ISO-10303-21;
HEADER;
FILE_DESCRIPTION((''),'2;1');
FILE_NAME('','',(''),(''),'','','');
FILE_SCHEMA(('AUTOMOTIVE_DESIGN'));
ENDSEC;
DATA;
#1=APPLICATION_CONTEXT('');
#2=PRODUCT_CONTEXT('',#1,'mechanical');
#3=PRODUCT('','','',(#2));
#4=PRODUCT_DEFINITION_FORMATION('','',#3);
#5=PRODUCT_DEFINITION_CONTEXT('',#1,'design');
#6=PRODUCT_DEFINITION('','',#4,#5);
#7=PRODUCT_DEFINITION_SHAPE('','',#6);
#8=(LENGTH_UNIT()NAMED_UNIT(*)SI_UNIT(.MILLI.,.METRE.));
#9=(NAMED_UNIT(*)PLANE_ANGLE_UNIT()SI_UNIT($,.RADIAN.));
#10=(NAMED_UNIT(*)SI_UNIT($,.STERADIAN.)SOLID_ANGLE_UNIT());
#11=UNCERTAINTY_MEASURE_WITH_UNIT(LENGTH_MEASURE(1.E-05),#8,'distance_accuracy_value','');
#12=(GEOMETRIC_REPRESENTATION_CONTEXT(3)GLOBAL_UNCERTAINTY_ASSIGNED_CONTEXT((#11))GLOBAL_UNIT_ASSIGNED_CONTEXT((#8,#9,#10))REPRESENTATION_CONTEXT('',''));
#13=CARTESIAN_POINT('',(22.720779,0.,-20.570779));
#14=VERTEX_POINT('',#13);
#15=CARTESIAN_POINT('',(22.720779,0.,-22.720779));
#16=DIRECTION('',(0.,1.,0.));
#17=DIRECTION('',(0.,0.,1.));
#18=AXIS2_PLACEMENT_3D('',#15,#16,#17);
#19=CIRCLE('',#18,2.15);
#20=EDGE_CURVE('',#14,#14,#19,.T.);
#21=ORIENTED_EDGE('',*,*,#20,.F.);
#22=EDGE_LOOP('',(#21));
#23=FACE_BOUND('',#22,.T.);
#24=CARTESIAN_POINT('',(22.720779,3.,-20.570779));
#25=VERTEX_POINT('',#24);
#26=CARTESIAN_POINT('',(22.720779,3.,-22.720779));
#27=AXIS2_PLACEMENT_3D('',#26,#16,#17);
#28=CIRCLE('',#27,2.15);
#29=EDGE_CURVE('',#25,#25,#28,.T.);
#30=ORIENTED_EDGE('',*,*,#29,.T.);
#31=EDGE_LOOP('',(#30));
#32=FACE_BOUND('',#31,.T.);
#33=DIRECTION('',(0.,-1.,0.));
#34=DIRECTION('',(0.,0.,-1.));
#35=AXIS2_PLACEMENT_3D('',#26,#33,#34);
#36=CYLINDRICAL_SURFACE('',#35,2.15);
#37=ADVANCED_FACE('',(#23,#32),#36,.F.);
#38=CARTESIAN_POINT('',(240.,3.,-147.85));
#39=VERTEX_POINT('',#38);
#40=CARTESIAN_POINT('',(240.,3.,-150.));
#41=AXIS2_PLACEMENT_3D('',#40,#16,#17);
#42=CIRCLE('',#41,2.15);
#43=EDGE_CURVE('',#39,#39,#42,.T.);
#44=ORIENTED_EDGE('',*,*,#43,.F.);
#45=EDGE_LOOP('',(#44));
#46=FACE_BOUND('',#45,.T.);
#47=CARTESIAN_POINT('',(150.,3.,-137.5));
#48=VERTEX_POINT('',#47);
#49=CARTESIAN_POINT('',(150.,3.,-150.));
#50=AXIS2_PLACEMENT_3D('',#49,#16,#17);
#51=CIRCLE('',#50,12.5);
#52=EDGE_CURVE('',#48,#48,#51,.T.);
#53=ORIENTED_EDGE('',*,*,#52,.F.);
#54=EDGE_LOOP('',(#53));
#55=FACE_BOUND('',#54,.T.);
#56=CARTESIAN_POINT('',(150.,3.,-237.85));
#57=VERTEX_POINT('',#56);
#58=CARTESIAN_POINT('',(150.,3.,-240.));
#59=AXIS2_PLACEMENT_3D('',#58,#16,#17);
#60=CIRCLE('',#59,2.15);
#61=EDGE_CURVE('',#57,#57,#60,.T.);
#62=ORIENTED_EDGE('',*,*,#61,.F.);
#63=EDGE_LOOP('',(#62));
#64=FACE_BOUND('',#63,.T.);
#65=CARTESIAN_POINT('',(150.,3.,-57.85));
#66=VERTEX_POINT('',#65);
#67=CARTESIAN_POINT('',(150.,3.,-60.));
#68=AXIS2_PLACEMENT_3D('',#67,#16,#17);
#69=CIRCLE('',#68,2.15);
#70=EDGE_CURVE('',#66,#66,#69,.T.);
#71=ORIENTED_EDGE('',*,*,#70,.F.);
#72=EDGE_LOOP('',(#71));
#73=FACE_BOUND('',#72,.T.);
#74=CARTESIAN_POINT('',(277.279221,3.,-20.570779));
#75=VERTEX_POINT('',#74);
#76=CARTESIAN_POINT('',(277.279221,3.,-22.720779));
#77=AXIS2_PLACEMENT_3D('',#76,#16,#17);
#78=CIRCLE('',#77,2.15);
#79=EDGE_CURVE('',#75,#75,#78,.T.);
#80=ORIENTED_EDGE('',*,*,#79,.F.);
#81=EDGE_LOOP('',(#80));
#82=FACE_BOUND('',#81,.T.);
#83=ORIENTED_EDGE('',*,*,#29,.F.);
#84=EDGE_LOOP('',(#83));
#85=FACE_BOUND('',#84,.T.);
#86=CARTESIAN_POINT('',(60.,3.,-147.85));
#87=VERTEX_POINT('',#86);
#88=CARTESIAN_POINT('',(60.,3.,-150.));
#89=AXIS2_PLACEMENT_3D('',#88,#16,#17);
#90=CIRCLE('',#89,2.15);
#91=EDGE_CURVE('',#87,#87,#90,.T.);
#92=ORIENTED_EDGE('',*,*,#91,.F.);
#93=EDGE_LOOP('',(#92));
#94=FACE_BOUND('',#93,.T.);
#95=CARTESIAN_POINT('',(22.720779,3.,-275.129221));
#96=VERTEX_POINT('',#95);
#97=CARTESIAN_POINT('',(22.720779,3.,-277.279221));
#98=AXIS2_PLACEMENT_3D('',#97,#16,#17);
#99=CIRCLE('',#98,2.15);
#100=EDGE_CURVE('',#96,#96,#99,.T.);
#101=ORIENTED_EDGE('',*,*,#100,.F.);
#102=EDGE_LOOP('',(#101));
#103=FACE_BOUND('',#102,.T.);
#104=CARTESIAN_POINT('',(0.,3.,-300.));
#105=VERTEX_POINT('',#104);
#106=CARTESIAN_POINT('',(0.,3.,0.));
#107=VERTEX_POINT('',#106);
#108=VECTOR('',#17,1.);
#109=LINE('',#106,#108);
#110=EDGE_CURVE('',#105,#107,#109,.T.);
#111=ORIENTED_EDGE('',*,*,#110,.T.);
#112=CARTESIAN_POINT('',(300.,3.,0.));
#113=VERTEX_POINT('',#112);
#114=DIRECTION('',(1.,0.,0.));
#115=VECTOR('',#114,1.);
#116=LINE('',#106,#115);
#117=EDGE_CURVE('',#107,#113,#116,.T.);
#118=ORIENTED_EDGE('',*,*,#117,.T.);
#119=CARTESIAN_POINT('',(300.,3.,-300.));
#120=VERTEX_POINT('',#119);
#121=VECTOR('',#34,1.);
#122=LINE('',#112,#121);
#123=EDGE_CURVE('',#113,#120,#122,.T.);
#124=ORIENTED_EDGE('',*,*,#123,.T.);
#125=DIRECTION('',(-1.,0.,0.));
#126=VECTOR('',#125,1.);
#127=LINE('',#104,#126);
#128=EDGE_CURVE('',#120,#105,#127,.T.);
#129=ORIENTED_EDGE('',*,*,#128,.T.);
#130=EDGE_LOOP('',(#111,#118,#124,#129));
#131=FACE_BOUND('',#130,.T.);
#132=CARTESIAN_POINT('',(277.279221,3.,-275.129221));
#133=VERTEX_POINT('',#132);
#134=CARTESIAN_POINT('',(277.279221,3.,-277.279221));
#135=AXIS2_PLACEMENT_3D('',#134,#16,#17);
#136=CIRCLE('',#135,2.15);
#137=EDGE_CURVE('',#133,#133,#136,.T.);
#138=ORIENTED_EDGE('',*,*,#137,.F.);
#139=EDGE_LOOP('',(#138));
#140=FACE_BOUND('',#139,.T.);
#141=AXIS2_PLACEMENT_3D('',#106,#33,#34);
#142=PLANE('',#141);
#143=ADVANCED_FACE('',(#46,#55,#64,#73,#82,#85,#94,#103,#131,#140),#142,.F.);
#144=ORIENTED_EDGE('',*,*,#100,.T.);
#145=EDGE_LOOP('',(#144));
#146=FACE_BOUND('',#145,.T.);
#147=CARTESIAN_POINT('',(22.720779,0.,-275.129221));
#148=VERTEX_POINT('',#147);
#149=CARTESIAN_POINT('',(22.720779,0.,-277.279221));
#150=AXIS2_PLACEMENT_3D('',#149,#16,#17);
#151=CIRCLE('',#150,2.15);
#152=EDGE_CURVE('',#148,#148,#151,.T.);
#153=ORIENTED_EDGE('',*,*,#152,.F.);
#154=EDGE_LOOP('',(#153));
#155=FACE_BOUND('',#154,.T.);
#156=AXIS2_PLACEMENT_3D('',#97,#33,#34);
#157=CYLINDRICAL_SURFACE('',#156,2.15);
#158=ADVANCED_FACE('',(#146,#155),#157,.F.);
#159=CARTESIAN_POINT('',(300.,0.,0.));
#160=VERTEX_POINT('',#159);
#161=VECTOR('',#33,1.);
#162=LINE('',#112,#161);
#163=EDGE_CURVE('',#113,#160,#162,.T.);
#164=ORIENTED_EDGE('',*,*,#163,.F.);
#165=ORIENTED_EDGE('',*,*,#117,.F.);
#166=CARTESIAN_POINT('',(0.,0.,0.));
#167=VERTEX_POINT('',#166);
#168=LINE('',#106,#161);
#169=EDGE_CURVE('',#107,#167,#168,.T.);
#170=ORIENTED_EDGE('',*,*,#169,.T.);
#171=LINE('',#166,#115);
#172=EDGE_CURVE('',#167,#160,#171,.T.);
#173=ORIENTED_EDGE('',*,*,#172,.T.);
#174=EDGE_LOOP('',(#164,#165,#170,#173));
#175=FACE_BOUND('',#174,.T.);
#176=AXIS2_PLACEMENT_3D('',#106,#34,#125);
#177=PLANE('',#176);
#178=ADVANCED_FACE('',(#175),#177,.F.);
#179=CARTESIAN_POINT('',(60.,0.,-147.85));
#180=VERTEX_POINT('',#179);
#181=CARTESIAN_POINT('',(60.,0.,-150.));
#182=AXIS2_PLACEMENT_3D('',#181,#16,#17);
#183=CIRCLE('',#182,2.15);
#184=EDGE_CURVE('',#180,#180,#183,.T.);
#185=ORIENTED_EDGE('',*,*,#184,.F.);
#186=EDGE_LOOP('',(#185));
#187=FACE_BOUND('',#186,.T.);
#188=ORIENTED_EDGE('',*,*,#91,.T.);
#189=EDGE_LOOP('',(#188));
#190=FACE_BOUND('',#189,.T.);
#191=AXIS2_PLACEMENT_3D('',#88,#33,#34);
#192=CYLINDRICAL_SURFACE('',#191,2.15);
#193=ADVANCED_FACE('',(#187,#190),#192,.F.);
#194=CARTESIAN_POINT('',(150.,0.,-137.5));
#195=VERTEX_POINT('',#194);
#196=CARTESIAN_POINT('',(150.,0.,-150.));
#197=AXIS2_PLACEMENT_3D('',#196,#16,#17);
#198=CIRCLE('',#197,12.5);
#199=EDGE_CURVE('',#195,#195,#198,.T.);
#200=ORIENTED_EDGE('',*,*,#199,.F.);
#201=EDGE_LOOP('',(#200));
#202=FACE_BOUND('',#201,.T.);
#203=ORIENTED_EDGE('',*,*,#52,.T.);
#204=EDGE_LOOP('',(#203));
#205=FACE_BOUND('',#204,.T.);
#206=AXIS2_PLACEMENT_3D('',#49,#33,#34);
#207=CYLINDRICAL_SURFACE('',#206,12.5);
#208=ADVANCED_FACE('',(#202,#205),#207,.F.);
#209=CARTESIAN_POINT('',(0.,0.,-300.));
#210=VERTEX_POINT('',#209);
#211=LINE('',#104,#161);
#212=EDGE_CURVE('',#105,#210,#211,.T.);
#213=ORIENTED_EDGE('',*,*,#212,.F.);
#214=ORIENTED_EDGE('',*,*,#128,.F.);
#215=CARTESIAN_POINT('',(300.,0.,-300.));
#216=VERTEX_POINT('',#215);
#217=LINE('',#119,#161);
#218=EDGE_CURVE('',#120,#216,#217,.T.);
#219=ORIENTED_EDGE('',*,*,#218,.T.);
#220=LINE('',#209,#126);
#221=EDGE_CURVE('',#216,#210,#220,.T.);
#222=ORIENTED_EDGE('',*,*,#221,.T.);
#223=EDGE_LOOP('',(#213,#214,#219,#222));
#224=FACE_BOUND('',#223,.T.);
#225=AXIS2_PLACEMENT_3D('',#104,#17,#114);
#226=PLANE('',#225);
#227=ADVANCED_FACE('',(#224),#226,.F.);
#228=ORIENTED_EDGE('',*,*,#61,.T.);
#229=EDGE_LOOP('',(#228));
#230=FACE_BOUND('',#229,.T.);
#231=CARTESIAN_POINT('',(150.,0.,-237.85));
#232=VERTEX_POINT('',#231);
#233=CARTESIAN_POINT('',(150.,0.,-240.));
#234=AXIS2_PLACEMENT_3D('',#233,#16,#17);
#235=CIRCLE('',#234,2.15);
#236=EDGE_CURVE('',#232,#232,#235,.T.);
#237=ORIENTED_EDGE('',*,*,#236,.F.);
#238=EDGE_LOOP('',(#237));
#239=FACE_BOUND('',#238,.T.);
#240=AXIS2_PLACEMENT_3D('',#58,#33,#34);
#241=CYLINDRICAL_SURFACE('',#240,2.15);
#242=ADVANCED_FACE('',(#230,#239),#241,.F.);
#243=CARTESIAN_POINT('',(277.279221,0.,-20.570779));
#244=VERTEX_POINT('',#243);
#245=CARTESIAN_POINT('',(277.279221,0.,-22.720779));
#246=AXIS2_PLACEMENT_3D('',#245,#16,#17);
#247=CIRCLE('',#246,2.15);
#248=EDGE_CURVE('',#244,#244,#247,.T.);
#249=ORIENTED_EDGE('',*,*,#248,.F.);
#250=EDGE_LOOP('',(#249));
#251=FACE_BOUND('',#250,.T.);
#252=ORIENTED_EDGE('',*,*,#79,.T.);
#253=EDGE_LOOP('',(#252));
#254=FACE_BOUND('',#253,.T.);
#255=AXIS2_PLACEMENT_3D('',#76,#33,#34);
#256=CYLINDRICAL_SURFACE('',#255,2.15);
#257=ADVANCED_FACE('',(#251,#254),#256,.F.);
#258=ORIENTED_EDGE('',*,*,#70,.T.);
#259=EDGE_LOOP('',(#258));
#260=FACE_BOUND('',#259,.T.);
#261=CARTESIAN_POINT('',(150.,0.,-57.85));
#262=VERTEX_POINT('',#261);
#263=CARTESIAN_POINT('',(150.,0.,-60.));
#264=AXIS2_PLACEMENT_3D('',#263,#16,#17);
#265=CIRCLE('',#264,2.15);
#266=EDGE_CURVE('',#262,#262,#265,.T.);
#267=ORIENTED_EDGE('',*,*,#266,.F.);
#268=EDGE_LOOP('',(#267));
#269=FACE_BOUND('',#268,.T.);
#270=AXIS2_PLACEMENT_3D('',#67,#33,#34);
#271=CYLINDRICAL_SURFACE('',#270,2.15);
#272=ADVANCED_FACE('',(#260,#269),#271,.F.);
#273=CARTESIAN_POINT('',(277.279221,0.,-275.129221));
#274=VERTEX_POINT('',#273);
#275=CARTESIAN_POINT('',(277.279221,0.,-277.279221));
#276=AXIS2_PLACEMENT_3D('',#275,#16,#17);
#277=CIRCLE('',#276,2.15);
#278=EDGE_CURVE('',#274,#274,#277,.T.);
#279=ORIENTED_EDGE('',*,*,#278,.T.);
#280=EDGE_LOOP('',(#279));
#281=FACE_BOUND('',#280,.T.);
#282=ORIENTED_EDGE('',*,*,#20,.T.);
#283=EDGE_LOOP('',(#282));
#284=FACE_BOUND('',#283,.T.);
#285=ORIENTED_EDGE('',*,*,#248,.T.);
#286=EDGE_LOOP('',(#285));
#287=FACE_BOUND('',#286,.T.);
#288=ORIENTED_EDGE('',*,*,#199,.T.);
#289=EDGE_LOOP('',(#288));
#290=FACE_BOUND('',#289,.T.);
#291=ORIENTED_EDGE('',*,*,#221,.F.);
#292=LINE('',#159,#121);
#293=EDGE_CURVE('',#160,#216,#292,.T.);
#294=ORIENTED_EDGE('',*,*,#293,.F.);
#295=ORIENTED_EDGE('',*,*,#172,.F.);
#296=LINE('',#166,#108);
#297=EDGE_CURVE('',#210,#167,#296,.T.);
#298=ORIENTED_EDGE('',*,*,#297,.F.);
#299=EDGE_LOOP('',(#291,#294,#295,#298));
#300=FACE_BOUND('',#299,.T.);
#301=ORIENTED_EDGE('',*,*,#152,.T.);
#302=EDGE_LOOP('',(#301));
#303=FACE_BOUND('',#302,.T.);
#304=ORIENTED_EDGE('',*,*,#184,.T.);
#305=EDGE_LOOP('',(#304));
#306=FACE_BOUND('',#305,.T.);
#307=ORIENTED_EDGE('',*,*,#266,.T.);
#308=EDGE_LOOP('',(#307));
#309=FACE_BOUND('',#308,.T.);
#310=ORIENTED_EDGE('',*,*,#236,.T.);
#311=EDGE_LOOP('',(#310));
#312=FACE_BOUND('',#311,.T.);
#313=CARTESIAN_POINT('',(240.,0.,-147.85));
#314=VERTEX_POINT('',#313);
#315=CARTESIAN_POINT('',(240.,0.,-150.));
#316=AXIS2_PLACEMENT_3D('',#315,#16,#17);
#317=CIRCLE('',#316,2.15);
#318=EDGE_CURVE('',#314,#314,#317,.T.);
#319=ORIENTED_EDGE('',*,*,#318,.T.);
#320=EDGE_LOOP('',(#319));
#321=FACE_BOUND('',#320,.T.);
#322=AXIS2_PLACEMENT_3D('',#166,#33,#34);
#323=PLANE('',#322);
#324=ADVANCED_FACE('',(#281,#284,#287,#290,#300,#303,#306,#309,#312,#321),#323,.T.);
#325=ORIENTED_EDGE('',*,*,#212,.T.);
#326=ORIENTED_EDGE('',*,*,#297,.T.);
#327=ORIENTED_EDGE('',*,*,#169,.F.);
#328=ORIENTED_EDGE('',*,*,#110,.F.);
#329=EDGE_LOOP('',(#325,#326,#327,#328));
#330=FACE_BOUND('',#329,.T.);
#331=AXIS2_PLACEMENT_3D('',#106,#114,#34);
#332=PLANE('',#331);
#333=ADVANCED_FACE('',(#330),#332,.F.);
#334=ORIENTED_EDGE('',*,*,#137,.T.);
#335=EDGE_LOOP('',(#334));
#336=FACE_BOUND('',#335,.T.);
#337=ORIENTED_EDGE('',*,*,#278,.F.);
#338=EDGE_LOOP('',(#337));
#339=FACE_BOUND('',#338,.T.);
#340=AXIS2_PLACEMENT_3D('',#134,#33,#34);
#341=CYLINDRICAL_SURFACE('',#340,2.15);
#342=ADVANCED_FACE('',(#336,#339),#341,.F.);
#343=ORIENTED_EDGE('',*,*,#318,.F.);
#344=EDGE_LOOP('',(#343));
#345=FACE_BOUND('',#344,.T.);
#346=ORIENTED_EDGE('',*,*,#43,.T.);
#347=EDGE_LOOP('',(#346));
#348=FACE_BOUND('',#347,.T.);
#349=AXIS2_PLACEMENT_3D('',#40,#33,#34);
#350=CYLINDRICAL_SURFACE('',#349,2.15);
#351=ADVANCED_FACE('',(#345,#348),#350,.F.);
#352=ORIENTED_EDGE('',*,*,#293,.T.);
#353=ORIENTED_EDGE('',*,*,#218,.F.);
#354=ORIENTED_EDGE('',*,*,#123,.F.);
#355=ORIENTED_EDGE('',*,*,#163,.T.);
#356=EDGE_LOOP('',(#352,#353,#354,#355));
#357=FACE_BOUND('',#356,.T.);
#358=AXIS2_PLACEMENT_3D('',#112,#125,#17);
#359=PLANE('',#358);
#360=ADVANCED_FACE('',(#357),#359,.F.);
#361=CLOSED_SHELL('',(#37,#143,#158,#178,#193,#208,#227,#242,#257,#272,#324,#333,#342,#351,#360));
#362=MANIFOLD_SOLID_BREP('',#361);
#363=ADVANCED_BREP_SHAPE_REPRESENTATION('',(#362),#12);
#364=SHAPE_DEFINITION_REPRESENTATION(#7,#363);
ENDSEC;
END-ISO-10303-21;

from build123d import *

# Parameters (mm, degrees)
SKETCH_1_W      = 300
SKETCH_1_H      = 300
SKETCH_1_R      = 12.5
SKETCH_1_R_2    = 2.15
EXTRUDE_1_DEPTH = 3


with BuildPart() as part:
    # 草图1 → 凸台-拉伸1 (new body)
    with BuildSketch(Plane(origin=(0, 0, 0), x_dir=(1, 0, 0), z_dir=(0, 1, 0))):
        with Locations((150, 150)):
            Rectangle(SKETCH_1_W, SKETCH_1_H)
        with Locations((150, 150)):
            Circle(SKETCH_1_R, mode=Mode.SUBTRACT)
        with Locations((22.720779386, 277.279220614)):
            Circle(SKETCH_1_R_2, mode=Mode.SUBTRACT)
        with Locations((277.279220614, 277.279220614)):
            Circle(SKETCH_1_R_2, mode=Mode.SUBTRACT)
        with Locations((277.279220614, 22.720779386)):
            Circle(SKETCH_1_R_2, mode=Mode.SUBTRACT)
        with Locations((22.720779386, 22.720779386)):
            Circle(SKETCH_1_R_2, mode=Mode.SUBTRACT)
        with Locations((150, 240)):
            Circle(SKETCH_1_R_2, mode=Mode.SUBTRACT)
        with Locations((240, 150)):
            Circle(SKETCH_1_R_2, mode=Mode.SUBTRACT)
        with Locations((150, 60)):
            Circle(SKETCH_1_R_2, mode=Mode.SUBTRACT)
        with Locations((60, 150)):
            Circle(SKETCH_1_R_2, mode=Mode.SUBTRACT)
    extrude(amount=EXTRUDE_1_DEPTH)


solid = part.part
